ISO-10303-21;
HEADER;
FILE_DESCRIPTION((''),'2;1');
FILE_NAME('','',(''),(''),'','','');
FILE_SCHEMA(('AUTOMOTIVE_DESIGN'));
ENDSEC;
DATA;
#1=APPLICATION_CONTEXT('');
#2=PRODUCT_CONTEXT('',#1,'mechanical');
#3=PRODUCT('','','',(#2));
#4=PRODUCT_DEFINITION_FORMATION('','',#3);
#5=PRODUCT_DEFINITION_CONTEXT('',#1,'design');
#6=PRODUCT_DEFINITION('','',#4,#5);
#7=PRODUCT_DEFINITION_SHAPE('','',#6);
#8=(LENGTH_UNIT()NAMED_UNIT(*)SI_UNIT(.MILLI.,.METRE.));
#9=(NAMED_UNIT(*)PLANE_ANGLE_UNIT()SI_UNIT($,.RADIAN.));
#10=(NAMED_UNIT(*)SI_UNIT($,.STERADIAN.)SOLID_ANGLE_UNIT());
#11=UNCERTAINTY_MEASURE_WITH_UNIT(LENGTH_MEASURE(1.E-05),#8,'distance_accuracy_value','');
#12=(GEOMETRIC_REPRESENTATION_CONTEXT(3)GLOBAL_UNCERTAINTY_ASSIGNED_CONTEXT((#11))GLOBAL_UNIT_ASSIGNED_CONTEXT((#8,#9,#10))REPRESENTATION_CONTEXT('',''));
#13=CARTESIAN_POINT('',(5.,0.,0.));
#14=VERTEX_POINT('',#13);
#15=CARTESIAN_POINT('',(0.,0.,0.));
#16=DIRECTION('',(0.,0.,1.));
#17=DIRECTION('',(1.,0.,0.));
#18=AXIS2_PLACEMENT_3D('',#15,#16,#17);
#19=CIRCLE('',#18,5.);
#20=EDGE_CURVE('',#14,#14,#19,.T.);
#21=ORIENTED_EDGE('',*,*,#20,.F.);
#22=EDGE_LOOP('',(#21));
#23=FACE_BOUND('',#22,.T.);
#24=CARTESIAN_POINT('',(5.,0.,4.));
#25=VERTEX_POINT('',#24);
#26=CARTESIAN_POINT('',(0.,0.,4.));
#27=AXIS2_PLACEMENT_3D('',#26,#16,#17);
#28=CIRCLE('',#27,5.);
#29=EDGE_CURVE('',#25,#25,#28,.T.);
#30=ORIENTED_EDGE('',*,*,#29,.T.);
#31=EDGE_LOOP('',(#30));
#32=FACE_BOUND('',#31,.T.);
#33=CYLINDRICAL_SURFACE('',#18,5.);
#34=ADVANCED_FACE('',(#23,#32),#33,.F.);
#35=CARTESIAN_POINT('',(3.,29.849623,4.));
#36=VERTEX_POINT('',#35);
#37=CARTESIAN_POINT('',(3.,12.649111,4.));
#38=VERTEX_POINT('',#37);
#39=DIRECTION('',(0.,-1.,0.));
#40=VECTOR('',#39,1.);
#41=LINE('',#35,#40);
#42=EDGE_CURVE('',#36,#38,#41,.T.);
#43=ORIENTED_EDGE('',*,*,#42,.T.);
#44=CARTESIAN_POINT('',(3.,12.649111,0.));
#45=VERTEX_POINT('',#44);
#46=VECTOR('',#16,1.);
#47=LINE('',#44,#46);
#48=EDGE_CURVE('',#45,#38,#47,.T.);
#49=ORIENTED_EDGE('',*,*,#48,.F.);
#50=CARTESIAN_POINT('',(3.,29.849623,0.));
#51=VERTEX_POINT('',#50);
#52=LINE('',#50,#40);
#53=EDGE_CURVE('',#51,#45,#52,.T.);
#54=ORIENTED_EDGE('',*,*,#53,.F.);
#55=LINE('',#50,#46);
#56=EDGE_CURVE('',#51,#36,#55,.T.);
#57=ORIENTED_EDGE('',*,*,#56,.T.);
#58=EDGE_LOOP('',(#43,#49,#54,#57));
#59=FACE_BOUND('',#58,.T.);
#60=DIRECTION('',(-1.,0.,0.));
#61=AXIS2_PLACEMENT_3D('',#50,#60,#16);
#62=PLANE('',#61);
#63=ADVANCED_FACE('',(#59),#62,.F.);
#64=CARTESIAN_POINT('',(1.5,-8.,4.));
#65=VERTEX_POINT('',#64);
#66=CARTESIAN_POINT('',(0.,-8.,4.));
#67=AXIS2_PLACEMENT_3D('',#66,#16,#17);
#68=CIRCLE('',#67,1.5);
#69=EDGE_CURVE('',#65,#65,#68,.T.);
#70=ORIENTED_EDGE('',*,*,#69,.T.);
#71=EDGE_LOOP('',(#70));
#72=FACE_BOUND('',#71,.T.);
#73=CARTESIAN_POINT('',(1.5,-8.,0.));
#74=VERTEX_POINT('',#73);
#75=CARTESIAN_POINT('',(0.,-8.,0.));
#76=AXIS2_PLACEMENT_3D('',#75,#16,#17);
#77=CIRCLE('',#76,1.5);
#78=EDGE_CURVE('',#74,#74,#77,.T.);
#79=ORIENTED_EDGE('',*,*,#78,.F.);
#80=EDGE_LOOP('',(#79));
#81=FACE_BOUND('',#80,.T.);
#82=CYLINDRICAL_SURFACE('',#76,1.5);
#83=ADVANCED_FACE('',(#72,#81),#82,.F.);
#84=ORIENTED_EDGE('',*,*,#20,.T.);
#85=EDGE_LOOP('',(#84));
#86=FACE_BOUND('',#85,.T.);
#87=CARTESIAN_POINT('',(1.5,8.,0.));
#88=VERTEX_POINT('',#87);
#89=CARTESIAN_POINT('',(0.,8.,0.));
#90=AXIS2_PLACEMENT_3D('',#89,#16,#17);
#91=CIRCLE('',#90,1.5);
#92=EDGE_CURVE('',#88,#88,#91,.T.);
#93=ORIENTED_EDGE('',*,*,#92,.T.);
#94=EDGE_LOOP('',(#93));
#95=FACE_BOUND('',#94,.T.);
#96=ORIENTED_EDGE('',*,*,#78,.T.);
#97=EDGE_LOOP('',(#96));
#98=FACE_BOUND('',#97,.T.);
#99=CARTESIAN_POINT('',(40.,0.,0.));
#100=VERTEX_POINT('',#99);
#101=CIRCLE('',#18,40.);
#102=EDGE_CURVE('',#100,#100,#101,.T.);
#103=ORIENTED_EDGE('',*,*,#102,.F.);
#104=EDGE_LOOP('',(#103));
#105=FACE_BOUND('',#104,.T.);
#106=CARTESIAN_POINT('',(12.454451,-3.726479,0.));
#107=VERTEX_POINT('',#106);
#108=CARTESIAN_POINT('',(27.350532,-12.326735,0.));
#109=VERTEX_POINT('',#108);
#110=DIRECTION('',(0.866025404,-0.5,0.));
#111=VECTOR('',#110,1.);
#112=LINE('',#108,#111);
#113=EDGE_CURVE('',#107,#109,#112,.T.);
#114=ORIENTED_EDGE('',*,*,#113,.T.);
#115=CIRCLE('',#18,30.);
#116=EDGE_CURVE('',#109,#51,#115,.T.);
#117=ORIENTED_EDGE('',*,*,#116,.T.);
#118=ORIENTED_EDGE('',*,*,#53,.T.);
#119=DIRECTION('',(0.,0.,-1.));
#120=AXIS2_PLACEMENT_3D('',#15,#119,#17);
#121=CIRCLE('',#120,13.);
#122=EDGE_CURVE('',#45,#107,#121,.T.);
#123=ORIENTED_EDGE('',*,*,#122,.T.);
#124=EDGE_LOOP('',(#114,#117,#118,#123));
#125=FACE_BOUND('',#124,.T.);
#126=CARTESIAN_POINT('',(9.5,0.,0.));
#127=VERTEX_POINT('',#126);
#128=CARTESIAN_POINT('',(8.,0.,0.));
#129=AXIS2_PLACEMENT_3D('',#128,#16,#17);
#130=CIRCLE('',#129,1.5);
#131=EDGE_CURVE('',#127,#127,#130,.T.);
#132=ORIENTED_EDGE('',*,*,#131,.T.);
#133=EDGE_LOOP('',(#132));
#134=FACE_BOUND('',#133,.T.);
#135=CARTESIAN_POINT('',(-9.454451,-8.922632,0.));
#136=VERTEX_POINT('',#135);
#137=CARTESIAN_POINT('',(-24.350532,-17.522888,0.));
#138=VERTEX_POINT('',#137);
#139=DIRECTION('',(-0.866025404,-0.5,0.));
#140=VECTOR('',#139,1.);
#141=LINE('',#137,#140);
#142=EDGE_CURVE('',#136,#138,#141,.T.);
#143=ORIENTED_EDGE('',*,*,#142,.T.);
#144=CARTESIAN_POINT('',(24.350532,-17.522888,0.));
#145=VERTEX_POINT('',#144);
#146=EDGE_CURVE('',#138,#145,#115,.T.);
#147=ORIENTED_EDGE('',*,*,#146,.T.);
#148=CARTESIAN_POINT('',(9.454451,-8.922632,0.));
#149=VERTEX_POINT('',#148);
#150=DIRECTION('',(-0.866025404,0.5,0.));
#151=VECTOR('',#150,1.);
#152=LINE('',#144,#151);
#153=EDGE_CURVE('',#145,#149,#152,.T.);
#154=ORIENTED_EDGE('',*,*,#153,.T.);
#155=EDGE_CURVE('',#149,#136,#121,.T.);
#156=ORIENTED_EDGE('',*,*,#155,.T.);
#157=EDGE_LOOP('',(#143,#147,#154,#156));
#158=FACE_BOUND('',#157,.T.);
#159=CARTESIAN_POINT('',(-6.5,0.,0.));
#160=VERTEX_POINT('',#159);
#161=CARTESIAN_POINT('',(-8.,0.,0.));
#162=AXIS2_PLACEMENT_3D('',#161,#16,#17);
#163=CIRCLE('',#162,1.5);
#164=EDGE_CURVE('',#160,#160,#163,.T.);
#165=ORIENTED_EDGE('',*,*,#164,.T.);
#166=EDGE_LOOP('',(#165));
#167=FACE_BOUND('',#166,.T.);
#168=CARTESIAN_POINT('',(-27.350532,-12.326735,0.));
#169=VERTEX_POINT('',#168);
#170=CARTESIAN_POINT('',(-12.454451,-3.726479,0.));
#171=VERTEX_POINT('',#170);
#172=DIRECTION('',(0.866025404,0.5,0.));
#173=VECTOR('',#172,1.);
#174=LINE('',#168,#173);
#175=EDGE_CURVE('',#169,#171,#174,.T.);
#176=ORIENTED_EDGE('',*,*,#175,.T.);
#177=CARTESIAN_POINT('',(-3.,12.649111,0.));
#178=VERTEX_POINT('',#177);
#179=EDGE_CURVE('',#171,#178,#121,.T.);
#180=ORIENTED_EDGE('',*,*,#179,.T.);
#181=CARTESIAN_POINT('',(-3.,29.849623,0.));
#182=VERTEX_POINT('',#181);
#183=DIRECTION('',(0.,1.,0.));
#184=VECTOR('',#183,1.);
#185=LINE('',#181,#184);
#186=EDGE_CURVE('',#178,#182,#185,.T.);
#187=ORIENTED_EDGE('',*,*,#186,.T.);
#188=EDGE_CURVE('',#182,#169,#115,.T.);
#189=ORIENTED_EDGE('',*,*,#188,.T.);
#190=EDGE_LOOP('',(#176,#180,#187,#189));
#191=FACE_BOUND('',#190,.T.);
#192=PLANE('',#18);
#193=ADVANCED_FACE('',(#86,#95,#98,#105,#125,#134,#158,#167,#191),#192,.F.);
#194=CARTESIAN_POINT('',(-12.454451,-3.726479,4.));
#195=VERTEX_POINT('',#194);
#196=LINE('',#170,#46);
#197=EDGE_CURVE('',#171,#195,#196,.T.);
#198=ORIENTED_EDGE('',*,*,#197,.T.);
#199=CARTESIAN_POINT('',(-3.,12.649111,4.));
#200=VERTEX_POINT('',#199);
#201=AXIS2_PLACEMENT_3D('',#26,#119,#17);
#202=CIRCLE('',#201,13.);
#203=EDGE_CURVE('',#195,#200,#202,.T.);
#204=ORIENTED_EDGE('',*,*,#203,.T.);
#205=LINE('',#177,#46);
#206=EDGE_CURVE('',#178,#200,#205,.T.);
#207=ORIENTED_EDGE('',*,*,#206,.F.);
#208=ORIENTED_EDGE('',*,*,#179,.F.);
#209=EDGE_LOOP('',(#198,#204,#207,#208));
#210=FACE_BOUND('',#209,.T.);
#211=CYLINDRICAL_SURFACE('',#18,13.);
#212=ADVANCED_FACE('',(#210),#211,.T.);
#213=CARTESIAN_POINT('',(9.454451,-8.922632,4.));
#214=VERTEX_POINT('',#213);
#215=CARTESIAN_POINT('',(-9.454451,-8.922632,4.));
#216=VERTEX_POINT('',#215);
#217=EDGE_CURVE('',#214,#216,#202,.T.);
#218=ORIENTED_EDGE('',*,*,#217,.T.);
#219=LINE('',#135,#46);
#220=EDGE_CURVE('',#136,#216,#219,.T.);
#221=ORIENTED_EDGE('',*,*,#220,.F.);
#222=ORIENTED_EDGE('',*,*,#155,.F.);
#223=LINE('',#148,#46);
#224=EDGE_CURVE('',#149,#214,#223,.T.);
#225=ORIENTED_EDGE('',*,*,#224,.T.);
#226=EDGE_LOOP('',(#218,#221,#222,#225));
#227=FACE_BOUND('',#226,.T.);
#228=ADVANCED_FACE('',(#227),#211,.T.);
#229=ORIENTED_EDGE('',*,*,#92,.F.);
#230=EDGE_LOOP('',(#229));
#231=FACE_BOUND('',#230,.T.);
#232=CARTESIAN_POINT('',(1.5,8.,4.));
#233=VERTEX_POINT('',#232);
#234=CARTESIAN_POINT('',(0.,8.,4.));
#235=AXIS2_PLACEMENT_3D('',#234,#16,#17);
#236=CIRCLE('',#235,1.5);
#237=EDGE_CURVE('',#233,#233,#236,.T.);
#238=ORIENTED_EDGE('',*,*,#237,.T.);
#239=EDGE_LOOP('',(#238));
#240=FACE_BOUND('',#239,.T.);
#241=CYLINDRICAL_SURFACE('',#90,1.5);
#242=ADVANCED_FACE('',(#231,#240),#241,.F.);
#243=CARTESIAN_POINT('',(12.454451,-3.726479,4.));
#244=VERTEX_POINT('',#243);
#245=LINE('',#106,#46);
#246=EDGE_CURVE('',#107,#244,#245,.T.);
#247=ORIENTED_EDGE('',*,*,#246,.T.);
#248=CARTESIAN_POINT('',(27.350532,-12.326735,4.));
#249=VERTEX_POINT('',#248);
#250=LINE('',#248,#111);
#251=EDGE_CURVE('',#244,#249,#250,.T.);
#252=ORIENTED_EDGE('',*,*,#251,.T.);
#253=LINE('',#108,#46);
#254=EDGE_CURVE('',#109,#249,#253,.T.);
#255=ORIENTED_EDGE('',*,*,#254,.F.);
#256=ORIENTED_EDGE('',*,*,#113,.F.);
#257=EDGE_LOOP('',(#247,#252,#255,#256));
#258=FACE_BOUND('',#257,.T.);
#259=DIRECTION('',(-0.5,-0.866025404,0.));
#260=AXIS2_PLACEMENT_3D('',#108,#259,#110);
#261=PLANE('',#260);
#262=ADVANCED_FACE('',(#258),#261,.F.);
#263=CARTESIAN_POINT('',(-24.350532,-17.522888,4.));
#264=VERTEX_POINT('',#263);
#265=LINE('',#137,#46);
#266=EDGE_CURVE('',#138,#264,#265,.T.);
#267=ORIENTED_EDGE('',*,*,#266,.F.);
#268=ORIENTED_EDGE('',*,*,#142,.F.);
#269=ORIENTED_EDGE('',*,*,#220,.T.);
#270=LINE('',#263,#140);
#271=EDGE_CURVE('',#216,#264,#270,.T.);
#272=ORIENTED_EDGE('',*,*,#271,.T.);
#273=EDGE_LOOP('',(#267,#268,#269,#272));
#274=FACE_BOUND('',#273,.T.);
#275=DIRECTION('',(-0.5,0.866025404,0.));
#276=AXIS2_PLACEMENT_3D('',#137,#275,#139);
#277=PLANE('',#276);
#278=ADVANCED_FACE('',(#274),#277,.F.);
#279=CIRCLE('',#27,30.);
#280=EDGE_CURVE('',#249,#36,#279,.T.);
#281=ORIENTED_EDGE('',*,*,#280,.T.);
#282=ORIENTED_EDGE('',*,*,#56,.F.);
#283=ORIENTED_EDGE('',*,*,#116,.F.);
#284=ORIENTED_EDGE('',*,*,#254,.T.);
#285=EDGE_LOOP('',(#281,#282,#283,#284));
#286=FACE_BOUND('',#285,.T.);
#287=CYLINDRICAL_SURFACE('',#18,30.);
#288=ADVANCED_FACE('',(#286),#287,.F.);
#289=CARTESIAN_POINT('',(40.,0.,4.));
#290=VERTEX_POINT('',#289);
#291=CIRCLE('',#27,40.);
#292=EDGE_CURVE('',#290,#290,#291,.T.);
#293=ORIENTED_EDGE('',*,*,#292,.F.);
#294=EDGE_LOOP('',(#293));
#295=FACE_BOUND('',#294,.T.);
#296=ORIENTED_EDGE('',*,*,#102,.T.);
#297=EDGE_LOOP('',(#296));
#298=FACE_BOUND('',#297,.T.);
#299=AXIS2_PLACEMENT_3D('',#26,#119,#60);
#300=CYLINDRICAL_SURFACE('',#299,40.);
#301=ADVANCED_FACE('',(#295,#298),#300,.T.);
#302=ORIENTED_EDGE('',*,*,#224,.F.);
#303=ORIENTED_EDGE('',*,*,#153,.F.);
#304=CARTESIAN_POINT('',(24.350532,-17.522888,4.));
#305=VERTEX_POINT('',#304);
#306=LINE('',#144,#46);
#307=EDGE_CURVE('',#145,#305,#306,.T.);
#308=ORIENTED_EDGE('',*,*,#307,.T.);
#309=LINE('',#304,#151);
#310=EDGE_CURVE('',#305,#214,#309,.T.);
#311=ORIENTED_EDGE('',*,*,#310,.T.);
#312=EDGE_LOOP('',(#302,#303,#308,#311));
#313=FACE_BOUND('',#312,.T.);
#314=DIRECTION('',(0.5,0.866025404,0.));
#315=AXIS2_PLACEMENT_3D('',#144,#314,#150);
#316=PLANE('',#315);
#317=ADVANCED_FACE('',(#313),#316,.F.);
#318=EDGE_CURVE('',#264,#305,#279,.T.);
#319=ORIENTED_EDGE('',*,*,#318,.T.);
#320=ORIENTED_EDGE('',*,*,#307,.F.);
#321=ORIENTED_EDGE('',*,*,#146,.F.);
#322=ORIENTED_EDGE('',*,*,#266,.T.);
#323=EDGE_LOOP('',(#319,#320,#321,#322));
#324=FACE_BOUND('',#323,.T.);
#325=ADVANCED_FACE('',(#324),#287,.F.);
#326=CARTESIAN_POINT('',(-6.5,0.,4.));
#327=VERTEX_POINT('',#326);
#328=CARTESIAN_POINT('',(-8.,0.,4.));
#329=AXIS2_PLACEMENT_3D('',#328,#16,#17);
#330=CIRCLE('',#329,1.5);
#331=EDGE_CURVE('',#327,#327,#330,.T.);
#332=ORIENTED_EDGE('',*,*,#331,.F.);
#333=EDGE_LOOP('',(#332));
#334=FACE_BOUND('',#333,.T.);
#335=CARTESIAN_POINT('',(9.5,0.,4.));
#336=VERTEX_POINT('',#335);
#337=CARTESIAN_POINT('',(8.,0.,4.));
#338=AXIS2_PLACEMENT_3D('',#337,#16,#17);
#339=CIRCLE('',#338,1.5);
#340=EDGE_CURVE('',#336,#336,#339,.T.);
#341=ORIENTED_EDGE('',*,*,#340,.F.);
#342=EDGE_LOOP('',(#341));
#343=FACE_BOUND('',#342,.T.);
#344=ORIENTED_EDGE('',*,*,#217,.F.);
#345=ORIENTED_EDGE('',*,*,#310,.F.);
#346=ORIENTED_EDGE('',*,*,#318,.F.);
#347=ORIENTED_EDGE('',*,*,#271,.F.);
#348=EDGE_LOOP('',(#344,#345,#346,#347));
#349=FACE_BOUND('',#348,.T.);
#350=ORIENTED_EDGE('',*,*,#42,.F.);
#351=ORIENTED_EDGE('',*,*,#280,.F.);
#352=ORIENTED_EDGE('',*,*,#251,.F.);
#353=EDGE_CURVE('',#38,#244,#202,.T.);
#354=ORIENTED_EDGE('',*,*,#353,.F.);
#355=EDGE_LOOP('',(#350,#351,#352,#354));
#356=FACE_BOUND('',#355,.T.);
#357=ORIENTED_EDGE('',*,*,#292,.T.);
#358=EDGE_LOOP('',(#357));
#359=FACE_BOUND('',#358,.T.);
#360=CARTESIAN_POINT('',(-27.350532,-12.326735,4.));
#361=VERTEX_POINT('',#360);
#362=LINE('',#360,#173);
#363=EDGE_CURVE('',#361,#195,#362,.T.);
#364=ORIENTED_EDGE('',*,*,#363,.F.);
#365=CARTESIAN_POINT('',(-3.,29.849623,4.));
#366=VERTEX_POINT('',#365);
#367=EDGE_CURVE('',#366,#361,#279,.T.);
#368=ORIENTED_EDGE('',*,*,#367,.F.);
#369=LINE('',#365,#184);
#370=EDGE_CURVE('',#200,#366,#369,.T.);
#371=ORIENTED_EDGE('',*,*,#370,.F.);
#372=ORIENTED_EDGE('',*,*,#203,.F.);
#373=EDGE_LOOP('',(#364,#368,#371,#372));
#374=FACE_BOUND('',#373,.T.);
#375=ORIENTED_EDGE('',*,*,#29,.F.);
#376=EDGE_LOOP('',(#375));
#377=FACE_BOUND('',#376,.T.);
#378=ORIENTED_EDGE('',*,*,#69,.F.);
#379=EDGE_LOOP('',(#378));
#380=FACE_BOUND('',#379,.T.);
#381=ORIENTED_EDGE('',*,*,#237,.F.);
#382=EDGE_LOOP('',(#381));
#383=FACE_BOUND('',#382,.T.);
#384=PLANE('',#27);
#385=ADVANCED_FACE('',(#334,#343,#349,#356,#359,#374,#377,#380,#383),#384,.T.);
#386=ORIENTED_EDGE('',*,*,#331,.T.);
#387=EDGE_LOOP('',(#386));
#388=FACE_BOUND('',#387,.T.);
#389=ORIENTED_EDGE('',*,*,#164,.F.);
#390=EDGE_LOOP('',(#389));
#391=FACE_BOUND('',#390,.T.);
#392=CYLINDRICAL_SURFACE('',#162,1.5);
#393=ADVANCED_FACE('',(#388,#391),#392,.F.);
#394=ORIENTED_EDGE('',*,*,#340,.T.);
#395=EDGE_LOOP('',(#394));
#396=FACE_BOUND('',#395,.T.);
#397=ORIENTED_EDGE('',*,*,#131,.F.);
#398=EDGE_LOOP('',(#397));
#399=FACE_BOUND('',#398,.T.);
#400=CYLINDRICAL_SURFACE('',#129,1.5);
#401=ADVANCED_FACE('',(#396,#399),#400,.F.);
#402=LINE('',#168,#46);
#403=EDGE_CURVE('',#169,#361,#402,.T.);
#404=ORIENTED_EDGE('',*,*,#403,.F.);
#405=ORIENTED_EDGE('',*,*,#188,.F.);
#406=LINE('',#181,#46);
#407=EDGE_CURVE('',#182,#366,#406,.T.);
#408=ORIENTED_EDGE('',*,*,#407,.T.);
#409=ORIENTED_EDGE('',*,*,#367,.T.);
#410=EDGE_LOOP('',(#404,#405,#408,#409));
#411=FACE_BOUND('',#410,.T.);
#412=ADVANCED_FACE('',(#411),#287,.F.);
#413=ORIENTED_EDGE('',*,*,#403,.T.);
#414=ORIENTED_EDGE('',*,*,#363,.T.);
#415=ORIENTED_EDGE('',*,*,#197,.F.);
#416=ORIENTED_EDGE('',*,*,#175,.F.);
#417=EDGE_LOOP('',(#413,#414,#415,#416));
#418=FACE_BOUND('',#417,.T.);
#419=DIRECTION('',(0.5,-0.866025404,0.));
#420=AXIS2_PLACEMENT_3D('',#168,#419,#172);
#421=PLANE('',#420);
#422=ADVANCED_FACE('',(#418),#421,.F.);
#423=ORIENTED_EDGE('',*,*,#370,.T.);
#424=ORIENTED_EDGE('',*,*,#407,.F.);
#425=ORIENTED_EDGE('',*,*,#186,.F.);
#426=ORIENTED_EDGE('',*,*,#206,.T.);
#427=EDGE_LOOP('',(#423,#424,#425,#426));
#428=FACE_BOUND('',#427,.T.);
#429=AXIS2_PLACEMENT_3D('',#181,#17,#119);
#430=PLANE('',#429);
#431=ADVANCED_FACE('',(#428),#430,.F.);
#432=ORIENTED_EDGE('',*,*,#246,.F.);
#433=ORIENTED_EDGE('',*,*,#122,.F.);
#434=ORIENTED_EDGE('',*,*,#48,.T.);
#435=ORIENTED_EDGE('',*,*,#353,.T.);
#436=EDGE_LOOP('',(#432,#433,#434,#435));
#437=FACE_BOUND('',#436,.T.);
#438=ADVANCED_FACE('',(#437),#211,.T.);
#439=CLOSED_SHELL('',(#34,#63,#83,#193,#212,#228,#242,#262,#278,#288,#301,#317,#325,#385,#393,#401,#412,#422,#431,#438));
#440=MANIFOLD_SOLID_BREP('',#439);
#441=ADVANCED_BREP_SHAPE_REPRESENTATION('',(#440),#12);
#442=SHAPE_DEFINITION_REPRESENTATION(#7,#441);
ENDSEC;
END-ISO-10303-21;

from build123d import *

# Parameters (mm, degrees)
SKETCH_1_R          = 40
EXTRUDE_1_DEPTH     = 4
SKETCH_2_R          = 5
SKETCH_2_R_2        = 1.5
CUT_EXTRUDE_1_DEPTH = 5


with BuildPart() as part:
    # 草图1 → 凸台-拉伸1 (new body)
    with BuildSketch(Plane.XY):
        Circle(SKETCH_1_R)
    extrude(amount=EXTRUDE_1_DEPTH)

    # 草图2 → 切除-拉伸1 (cut, through all)
    with BuildSketch(Plane.XY.offset(4)):
        Circle(SKETCH_2_R)
        with Locations((-8, 0)):
            Circle(SKETCH_2_R_2)
        with Locations((0, 8)):
            Circle(SKETCH_2_R_2)
        with Locations((8, 0)):
            Circle(SKETCH_2_R_2)
        with Locations((0, -8)):
            Circle(SKETCH_2_R_2)
        with BuildLine():
            Line((-3, 29.849623113), (-3, 12.649110641))
            ThreePointArc((-3, 12.649110641), (-11.258330249, 6.5), (-12.45445115, -3.726479109))
            Line((-12.45445115, -3.726479109), (-27.350531909, -12.326735345))
            ThreePointArc((-27.350531909, -12.326735345), (-25.980762114, 15), (-3, 29.849623113))
        make_face()
        with BuildLine():
            Line((3, 29.849623113), (3, 12.649110641))
            ThreePointArc((3, 12.649110641), (11.258330249, 6.5), (12.45445115, -3.726479109))
            Line((12.45445115, -3.726479109), (27.350531909, -12.326735345))
            ThreePointArc((27.350531909, -12.326735345), (25.980762114, 15), (3, 29.849623113))
        make_face()
        with BuildLine():
            Line((24.350531909, -17.522887768), (9.45445115, -8.922631532))
            ThreePointArc((9.45445115, -8.922631532), (0, -13), (-9.45445115, -8.922631532))
            Line((-9.45445115, -8.922631532), (-24.350531909, -17.522887768))
            ThreePointArc((-24.350531909, -17.522887768), (0, -30), (24.350531909, -17.522887768))
        make_face()
    extrude(amount=-CUT_EXTRUDE_1_DEPTH, mode=Mode.SUBTRACT)


solid = part.part
